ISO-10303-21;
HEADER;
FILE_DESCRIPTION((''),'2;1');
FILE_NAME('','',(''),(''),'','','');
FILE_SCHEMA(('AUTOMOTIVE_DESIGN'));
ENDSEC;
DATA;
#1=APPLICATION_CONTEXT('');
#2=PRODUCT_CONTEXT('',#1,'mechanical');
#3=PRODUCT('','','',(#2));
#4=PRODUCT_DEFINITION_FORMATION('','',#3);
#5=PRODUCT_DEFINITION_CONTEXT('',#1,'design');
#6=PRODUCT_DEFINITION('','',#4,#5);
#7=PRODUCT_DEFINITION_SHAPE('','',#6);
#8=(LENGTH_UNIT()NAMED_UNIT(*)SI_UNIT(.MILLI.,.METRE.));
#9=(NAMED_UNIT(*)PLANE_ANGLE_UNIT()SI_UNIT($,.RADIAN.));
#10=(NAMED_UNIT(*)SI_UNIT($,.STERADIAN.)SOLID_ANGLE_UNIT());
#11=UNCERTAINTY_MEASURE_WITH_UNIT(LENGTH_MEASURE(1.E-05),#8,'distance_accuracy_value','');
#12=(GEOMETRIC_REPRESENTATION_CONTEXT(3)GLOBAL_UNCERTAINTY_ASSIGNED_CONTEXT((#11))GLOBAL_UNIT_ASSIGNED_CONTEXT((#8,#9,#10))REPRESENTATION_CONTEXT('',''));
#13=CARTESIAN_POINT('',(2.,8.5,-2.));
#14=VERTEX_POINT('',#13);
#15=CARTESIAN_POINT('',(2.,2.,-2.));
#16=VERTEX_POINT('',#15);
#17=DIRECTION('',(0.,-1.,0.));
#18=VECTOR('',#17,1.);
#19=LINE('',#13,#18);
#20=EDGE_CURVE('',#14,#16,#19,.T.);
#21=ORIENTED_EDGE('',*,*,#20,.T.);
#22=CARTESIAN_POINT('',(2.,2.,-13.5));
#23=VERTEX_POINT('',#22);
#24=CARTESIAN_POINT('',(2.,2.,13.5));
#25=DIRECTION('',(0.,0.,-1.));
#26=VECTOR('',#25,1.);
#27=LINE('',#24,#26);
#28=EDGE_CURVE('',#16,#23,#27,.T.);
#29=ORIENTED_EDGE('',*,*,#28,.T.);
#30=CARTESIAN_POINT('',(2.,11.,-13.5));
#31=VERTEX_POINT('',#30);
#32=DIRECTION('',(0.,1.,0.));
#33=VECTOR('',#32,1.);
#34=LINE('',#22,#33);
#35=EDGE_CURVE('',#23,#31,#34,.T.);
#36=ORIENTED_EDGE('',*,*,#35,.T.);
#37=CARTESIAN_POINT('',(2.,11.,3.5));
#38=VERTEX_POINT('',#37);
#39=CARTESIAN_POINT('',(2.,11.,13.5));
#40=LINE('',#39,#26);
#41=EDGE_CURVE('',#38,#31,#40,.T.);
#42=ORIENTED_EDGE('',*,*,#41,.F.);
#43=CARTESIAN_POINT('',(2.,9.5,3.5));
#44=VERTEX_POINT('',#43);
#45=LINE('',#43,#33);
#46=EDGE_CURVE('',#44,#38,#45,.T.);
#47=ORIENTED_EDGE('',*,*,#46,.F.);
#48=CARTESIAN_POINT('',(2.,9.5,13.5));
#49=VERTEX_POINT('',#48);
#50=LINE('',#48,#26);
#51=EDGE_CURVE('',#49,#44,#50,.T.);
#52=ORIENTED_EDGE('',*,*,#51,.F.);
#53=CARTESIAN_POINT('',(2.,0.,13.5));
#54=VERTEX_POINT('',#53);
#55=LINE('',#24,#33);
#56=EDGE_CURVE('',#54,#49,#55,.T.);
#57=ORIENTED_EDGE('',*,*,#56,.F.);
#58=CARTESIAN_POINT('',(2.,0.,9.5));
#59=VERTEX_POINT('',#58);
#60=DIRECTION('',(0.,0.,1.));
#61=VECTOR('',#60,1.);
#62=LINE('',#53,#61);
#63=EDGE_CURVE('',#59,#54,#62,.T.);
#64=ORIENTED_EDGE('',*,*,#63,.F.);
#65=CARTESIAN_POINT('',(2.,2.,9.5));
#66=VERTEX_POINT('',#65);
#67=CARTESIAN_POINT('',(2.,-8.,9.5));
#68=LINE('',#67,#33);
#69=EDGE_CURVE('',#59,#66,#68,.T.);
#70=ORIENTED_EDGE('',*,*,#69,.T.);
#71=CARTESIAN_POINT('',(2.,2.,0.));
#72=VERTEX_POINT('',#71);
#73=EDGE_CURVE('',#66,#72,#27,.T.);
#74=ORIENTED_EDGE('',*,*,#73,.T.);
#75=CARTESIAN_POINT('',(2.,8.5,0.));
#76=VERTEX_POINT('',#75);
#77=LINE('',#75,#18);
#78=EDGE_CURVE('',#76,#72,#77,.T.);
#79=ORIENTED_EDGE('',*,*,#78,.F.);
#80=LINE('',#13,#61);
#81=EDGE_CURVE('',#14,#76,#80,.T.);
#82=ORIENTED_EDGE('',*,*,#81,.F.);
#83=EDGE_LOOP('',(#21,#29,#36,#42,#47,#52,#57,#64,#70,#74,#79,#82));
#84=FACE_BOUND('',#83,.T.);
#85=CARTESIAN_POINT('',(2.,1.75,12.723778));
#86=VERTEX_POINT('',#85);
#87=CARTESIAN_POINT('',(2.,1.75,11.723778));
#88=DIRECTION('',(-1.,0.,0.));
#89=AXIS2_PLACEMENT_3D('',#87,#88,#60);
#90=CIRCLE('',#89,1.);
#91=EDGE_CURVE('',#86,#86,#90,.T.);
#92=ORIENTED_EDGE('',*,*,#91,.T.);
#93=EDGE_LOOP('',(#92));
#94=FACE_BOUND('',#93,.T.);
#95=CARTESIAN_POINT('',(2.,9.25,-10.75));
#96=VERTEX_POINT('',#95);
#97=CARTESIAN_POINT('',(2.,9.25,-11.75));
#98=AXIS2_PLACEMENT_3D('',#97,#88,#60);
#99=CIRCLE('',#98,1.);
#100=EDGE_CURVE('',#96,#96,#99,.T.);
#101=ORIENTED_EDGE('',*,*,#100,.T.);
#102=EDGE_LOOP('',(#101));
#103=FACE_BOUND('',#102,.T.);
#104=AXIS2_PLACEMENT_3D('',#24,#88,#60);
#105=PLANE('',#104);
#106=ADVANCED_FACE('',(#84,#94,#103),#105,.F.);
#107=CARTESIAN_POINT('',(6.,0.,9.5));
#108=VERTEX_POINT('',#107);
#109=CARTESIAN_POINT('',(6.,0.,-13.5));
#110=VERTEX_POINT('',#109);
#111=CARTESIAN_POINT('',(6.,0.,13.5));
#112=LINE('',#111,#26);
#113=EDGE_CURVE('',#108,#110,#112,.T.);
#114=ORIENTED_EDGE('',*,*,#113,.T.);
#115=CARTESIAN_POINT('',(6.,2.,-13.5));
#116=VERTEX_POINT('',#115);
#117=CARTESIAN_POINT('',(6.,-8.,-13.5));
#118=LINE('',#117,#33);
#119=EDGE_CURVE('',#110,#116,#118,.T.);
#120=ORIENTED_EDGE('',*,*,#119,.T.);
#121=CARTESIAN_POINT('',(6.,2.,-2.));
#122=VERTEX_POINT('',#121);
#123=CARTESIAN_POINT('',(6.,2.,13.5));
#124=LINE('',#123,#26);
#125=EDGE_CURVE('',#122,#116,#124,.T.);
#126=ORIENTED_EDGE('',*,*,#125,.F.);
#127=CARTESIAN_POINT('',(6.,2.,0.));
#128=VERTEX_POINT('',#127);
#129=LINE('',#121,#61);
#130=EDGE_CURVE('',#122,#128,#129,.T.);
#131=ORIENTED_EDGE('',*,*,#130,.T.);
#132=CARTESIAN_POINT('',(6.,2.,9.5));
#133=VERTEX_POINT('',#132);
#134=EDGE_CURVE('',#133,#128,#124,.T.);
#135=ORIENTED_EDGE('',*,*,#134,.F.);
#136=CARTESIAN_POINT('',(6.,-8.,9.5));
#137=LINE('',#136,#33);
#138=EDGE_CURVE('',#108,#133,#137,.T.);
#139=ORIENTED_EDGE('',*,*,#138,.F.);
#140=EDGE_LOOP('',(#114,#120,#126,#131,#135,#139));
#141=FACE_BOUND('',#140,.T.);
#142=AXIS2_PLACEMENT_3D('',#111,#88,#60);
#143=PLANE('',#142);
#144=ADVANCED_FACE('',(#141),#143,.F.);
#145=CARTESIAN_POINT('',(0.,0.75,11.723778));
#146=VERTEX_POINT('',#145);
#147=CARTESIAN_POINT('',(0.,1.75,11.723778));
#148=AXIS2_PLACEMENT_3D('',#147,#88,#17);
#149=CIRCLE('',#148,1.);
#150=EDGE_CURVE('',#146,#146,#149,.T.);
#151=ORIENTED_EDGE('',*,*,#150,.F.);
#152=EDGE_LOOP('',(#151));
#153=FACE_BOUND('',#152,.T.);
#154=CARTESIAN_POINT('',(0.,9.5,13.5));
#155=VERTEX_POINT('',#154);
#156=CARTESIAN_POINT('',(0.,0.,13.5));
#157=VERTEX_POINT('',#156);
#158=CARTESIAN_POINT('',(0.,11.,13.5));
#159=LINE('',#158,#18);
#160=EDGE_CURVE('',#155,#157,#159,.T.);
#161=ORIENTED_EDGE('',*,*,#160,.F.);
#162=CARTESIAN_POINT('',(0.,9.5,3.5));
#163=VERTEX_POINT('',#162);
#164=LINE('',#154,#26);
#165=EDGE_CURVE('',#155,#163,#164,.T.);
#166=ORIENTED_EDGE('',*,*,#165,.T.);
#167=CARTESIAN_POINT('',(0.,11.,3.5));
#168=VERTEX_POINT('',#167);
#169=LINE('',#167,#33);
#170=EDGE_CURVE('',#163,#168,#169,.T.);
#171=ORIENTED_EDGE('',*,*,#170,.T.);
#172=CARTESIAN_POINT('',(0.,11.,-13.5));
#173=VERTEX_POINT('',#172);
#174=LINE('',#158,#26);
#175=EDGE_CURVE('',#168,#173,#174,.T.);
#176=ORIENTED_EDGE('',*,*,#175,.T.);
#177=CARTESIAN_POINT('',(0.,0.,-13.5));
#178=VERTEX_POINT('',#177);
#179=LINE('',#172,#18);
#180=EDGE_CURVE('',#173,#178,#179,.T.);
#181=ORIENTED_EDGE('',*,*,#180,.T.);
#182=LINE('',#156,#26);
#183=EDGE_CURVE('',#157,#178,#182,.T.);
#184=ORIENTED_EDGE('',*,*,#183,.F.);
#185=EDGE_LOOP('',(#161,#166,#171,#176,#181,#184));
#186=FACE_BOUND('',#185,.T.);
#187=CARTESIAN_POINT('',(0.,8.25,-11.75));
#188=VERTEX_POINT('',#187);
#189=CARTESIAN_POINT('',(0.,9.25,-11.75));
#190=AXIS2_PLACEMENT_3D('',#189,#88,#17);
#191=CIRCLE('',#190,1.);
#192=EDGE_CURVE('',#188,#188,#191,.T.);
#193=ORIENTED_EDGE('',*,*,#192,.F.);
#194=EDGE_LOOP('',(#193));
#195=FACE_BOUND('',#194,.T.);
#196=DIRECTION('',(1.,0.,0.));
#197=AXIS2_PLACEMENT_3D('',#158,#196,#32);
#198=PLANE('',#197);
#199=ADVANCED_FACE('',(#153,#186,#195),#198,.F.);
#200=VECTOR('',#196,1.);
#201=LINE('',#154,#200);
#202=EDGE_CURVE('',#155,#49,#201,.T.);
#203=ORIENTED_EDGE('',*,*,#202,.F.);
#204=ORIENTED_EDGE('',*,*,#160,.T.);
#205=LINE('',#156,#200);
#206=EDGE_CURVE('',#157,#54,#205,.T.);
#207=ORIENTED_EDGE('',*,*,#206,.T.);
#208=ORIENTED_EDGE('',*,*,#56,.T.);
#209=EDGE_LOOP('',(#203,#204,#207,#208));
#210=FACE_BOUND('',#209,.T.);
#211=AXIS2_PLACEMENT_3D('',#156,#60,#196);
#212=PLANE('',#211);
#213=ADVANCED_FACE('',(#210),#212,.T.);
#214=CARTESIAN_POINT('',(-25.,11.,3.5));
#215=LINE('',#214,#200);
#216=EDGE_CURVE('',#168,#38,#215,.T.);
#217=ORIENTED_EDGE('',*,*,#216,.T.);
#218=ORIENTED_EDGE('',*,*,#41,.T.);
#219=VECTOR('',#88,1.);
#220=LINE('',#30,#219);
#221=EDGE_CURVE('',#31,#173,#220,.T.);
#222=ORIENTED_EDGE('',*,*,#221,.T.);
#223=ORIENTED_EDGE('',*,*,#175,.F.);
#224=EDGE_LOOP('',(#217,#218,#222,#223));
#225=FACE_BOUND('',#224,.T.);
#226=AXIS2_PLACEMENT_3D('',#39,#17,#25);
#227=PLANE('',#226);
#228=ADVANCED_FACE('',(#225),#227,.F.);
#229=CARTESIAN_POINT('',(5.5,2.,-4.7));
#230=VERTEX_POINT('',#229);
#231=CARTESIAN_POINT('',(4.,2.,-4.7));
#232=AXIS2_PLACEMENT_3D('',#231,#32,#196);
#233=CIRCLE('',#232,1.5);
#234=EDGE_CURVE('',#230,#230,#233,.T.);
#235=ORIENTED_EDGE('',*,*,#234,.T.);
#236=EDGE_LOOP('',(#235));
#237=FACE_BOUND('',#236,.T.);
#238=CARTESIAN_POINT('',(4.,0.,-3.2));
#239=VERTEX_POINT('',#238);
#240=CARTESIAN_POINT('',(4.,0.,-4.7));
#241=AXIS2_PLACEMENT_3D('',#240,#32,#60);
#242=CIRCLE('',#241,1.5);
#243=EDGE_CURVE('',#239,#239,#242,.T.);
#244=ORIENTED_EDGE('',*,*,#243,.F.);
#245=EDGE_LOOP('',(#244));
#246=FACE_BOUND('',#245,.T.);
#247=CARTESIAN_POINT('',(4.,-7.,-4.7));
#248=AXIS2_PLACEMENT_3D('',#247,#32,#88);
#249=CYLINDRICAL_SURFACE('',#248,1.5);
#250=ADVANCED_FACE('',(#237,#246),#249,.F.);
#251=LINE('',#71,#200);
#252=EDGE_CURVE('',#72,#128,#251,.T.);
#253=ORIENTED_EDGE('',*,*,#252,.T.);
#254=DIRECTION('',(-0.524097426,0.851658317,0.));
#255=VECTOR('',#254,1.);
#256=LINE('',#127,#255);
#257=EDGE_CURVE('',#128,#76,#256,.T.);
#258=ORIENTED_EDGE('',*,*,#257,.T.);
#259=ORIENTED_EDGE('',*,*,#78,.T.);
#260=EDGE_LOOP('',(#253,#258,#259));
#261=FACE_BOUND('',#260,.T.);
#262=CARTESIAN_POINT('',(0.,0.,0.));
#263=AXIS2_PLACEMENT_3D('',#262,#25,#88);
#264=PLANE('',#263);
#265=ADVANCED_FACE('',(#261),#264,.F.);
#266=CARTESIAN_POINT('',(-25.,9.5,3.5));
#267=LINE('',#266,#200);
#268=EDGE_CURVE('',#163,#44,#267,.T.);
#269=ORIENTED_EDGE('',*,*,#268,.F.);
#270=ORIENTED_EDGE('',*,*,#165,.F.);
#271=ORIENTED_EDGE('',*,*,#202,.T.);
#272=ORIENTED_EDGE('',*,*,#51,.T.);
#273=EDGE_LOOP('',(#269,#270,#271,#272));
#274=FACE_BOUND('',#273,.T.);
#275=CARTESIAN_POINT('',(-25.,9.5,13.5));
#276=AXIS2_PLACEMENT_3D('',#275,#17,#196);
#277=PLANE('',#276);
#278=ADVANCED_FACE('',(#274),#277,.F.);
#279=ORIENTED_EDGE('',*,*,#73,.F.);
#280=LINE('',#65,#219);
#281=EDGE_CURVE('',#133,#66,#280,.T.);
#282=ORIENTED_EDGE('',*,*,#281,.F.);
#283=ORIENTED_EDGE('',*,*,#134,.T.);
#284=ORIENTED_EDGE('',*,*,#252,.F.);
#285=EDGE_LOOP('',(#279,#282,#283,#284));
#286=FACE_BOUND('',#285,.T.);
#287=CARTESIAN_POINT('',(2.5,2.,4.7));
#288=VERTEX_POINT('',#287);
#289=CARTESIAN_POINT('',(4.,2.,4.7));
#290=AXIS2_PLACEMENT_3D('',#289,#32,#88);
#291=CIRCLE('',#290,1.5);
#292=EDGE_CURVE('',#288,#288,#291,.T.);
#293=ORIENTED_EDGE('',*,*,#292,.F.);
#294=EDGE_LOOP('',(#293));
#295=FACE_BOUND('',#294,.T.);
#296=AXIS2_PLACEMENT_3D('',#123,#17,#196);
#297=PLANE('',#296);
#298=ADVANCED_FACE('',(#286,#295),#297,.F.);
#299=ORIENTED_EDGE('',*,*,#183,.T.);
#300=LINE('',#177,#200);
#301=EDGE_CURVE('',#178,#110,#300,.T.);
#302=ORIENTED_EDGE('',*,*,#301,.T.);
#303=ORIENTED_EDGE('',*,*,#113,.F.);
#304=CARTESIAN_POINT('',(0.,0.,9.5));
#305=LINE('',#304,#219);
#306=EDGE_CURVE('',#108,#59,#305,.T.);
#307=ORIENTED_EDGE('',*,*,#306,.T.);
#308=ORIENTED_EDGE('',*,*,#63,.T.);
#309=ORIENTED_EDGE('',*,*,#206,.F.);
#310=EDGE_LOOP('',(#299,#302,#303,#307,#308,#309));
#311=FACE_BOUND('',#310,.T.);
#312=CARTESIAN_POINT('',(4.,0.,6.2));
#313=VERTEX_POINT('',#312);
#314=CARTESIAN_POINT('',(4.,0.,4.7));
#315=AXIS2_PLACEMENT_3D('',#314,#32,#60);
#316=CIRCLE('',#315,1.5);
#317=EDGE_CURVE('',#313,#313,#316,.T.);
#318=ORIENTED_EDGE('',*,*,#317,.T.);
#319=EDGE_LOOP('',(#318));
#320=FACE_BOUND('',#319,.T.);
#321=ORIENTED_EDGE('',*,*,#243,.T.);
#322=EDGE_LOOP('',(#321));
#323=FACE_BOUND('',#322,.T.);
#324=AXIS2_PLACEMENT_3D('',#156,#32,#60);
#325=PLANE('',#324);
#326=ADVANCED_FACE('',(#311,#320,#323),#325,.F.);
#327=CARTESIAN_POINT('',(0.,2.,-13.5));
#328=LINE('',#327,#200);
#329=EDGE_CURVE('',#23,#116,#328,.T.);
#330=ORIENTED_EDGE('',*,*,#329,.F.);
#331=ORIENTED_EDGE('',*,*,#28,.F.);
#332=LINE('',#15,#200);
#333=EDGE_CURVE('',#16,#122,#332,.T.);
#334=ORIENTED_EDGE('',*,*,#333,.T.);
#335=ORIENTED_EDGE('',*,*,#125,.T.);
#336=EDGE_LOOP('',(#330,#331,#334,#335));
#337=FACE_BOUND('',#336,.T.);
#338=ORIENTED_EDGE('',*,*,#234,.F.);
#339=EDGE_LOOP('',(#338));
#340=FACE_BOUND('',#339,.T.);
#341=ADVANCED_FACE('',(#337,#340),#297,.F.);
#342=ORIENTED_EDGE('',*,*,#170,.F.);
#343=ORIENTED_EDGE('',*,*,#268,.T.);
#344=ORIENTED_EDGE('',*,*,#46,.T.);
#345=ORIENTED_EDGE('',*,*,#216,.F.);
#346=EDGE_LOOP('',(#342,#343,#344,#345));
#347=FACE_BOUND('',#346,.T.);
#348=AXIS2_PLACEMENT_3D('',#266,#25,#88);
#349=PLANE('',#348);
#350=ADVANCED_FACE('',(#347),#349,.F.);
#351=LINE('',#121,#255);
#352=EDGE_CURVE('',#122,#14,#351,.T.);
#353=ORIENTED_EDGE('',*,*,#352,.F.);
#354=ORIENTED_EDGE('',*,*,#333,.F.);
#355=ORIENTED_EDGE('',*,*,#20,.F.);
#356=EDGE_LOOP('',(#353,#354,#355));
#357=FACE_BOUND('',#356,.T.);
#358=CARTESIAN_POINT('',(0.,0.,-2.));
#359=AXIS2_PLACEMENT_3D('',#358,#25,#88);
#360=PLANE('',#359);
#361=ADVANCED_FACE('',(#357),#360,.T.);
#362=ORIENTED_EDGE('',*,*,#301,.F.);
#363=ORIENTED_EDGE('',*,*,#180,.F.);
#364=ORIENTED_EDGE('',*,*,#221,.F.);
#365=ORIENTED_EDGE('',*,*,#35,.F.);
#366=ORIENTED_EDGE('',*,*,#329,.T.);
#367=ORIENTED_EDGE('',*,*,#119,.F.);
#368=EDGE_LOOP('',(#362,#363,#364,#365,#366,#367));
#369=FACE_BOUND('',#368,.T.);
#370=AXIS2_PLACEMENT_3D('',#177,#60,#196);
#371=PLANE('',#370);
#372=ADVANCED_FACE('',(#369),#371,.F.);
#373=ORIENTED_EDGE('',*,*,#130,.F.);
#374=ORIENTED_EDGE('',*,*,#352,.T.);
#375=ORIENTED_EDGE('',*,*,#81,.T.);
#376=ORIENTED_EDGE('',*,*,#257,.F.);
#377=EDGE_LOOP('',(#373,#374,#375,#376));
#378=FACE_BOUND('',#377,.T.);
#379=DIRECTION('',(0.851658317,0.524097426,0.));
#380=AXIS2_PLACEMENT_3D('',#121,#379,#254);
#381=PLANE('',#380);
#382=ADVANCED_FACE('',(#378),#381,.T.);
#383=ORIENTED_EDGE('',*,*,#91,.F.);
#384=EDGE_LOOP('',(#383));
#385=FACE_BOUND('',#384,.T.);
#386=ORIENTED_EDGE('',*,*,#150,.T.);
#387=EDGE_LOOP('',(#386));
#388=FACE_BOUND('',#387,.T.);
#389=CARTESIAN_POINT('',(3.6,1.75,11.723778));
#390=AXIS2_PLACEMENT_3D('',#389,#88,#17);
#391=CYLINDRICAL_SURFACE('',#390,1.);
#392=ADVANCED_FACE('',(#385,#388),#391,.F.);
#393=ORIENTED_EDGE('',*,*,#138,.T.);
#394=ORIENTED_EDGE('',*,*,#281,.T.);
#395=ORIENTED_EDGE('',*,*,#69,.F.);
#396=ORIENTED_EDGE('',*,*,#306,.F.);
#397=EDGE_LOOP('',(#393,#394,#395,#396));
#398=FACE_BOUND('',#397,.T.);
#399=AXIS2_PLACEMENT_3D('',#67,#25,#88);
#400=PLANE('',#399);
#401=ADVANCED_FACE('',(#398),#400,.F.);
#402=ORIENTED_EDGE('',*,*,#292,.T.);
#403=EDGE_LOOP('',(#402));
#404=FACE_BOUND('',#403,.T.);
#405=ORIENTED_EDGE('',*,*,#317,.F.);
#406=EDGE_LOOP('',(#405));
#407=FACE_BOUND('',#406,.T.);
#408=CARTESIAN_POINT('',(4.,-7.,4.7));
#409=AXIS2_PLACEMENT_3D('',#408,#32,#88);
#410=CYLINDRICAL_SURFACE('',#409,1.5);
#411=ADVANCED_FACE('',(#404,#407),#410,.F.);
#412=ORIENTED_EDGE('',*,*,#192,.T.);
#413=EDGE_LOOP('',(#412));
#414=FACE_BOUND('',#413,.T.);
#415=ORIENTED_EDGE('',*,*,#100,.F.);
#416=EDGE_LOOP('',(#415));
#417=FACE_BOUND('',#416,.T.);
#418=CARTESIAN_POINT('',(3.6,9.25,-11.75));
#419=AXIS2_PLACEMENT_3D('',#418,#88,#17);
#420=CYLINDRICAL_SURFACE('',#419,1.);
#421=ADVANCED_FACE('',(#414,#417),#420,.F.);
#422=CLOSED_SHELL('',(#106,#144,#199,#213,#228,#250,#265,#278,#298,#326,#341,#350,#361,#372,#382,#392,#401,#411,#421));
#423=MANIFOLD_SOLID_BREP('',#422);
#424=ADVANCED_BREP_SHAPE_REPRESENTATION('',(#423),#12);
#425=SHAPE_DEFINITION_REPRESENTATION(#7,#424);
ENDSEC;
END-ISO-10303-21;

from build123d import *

# Parameters (mm, degrees)
BOSS_EXTRUDE1_DEPTH = 13.5
SKETCH2_W           = 10
SKETCH2_H           = 1.5
CUT_EXTRUDE1_DEPTH  = 27
SKETCH3_R           = 1
CUT_EXTRUDE2_DEPTH  = 3.6
SKETCH6_W           = 6
SKETCH6_H           = 2
BOSS_EXTRUDE2_DEPTH = 3
SKETCH7_R           = 1.5
CUT_EXTRUDE5_DEPTH  = 9
BOSS_EXTRUDE3_DEPTH = 2
SKETCH10_W          = 6
SKETCH10_H          = 3
CUT_EXTRUDE6_DEPTH  = 10
SKETCH11_W          = 4
SKETCH11_H          = 4
CUT_EXTRUDE7_DEPTH  = 10


with BuildPart() as part:
    # Sketch1 → Boss-Extrude1 (new, symmetric)
    with BuildSketch(Plane.XY):
        Polygon((0, 11), (0, 0), (6, 0), (6, 2), (2, 2), (2, 11), align=None)
    extrude(amount=BOSS_EXTRUDE1_DEPTH, both=True)

    # Sketch2 → Cut-Extrude1 (cut)
    with BuildSketch(Plane(origin=(2, 0, 0), x_dir=(0, 0, -1), z_dir=(1, 0, 0))):
        with Locations((-8.5, 10.25)):
            Rectangle(SKETCH2_W, SKETCH2_H)
    extrude(amount=-CUT_EXTRUDE1_DEPTH, mode=Mode.SUBTRACT)

    # Sketch3 → Cut-Extrude2 (cut)
    with BuildSketch(Plane.ZY):
        with Locations(Location((-11.75, 9.25, 0), (0, 0, 270))):
            Circle(SKETCH3_R)
        with Locations(Location((11.723777669, 1.75, 0), (0, 0, 270))):
            Circle(SKETCH3_R)
    extrude(amount=-CUT_EXTRUDE2_DEPTH, mode=Mode.SUBTRACT)

    # Sketch6 → Boss-Extrude2 (add)
    with BuildSketch(Plane(origin=(0, 0, -13.5), x_dir=(-1, 0, 0), z_dir=(0, 0, -1))):
        with Locations((-3, 1)):
            Rectangle(SKETCH6_W, SKETCH6_H)
    extrude(amount=BOSS_EXTRUDE2_DEPTH)

    # Sketch7 → Cut-Extrude5 (cut)
    with BuildSketch(Plane(origin=(0, 2, 0), x_dir=(1, 0, 0), z_dir=(0, 1, 0))):
        with Locations(Location((4, -4.7, 0), (0, 0, 180))):
            Circle(SKETCH7_R)
        with Locations(Location((4, 4.7, 0), (0, 0, 270))):
            Circle(SKETCH7_R)
    extrude(amount=-CUT_EXTRUDE5_DEPTH, mode=Mode.SUBTRACT)

    # Sketch9 → Boss-Extrude3 (add)
    with BuildSketch(Plane.XY):
        Polygon((2, 8.5), (2, 2), (6, 2), align=None)
    extrude(amount=-BOSS_EXTRUDE3_DEPTH)

    # Sketch10 → Cut-Extrude6 (cut)
    with BuildSketch(Plane(origin=(0, 2, 0), x_dir=(1, 0, 0), z_dir=(0, 1, 0))):
        with Locations((3, 15)):
            Rectangle(SKETCH10_W, SKETCH10_H)
    extrude(amount=-CUT_EXTRUDE6_DEPTH, mode=Mode.SUBTRACT)

    # Sketch11 → Cut-Extrude7 (cut)
    with BuildSketch(Plane(origin=(0, 2, 0), x_dir=(1, 0, 0), z_dir=(0, 1, 0))):
        with Locations((4, -11.5)):
            Rectangle(SKETCH11_W, SKETCH11_H)
    extrude(amount=-CUT_EXTRUDE7_DEPTH, mode=Mode.SUBTRACT)


solid = part.part
